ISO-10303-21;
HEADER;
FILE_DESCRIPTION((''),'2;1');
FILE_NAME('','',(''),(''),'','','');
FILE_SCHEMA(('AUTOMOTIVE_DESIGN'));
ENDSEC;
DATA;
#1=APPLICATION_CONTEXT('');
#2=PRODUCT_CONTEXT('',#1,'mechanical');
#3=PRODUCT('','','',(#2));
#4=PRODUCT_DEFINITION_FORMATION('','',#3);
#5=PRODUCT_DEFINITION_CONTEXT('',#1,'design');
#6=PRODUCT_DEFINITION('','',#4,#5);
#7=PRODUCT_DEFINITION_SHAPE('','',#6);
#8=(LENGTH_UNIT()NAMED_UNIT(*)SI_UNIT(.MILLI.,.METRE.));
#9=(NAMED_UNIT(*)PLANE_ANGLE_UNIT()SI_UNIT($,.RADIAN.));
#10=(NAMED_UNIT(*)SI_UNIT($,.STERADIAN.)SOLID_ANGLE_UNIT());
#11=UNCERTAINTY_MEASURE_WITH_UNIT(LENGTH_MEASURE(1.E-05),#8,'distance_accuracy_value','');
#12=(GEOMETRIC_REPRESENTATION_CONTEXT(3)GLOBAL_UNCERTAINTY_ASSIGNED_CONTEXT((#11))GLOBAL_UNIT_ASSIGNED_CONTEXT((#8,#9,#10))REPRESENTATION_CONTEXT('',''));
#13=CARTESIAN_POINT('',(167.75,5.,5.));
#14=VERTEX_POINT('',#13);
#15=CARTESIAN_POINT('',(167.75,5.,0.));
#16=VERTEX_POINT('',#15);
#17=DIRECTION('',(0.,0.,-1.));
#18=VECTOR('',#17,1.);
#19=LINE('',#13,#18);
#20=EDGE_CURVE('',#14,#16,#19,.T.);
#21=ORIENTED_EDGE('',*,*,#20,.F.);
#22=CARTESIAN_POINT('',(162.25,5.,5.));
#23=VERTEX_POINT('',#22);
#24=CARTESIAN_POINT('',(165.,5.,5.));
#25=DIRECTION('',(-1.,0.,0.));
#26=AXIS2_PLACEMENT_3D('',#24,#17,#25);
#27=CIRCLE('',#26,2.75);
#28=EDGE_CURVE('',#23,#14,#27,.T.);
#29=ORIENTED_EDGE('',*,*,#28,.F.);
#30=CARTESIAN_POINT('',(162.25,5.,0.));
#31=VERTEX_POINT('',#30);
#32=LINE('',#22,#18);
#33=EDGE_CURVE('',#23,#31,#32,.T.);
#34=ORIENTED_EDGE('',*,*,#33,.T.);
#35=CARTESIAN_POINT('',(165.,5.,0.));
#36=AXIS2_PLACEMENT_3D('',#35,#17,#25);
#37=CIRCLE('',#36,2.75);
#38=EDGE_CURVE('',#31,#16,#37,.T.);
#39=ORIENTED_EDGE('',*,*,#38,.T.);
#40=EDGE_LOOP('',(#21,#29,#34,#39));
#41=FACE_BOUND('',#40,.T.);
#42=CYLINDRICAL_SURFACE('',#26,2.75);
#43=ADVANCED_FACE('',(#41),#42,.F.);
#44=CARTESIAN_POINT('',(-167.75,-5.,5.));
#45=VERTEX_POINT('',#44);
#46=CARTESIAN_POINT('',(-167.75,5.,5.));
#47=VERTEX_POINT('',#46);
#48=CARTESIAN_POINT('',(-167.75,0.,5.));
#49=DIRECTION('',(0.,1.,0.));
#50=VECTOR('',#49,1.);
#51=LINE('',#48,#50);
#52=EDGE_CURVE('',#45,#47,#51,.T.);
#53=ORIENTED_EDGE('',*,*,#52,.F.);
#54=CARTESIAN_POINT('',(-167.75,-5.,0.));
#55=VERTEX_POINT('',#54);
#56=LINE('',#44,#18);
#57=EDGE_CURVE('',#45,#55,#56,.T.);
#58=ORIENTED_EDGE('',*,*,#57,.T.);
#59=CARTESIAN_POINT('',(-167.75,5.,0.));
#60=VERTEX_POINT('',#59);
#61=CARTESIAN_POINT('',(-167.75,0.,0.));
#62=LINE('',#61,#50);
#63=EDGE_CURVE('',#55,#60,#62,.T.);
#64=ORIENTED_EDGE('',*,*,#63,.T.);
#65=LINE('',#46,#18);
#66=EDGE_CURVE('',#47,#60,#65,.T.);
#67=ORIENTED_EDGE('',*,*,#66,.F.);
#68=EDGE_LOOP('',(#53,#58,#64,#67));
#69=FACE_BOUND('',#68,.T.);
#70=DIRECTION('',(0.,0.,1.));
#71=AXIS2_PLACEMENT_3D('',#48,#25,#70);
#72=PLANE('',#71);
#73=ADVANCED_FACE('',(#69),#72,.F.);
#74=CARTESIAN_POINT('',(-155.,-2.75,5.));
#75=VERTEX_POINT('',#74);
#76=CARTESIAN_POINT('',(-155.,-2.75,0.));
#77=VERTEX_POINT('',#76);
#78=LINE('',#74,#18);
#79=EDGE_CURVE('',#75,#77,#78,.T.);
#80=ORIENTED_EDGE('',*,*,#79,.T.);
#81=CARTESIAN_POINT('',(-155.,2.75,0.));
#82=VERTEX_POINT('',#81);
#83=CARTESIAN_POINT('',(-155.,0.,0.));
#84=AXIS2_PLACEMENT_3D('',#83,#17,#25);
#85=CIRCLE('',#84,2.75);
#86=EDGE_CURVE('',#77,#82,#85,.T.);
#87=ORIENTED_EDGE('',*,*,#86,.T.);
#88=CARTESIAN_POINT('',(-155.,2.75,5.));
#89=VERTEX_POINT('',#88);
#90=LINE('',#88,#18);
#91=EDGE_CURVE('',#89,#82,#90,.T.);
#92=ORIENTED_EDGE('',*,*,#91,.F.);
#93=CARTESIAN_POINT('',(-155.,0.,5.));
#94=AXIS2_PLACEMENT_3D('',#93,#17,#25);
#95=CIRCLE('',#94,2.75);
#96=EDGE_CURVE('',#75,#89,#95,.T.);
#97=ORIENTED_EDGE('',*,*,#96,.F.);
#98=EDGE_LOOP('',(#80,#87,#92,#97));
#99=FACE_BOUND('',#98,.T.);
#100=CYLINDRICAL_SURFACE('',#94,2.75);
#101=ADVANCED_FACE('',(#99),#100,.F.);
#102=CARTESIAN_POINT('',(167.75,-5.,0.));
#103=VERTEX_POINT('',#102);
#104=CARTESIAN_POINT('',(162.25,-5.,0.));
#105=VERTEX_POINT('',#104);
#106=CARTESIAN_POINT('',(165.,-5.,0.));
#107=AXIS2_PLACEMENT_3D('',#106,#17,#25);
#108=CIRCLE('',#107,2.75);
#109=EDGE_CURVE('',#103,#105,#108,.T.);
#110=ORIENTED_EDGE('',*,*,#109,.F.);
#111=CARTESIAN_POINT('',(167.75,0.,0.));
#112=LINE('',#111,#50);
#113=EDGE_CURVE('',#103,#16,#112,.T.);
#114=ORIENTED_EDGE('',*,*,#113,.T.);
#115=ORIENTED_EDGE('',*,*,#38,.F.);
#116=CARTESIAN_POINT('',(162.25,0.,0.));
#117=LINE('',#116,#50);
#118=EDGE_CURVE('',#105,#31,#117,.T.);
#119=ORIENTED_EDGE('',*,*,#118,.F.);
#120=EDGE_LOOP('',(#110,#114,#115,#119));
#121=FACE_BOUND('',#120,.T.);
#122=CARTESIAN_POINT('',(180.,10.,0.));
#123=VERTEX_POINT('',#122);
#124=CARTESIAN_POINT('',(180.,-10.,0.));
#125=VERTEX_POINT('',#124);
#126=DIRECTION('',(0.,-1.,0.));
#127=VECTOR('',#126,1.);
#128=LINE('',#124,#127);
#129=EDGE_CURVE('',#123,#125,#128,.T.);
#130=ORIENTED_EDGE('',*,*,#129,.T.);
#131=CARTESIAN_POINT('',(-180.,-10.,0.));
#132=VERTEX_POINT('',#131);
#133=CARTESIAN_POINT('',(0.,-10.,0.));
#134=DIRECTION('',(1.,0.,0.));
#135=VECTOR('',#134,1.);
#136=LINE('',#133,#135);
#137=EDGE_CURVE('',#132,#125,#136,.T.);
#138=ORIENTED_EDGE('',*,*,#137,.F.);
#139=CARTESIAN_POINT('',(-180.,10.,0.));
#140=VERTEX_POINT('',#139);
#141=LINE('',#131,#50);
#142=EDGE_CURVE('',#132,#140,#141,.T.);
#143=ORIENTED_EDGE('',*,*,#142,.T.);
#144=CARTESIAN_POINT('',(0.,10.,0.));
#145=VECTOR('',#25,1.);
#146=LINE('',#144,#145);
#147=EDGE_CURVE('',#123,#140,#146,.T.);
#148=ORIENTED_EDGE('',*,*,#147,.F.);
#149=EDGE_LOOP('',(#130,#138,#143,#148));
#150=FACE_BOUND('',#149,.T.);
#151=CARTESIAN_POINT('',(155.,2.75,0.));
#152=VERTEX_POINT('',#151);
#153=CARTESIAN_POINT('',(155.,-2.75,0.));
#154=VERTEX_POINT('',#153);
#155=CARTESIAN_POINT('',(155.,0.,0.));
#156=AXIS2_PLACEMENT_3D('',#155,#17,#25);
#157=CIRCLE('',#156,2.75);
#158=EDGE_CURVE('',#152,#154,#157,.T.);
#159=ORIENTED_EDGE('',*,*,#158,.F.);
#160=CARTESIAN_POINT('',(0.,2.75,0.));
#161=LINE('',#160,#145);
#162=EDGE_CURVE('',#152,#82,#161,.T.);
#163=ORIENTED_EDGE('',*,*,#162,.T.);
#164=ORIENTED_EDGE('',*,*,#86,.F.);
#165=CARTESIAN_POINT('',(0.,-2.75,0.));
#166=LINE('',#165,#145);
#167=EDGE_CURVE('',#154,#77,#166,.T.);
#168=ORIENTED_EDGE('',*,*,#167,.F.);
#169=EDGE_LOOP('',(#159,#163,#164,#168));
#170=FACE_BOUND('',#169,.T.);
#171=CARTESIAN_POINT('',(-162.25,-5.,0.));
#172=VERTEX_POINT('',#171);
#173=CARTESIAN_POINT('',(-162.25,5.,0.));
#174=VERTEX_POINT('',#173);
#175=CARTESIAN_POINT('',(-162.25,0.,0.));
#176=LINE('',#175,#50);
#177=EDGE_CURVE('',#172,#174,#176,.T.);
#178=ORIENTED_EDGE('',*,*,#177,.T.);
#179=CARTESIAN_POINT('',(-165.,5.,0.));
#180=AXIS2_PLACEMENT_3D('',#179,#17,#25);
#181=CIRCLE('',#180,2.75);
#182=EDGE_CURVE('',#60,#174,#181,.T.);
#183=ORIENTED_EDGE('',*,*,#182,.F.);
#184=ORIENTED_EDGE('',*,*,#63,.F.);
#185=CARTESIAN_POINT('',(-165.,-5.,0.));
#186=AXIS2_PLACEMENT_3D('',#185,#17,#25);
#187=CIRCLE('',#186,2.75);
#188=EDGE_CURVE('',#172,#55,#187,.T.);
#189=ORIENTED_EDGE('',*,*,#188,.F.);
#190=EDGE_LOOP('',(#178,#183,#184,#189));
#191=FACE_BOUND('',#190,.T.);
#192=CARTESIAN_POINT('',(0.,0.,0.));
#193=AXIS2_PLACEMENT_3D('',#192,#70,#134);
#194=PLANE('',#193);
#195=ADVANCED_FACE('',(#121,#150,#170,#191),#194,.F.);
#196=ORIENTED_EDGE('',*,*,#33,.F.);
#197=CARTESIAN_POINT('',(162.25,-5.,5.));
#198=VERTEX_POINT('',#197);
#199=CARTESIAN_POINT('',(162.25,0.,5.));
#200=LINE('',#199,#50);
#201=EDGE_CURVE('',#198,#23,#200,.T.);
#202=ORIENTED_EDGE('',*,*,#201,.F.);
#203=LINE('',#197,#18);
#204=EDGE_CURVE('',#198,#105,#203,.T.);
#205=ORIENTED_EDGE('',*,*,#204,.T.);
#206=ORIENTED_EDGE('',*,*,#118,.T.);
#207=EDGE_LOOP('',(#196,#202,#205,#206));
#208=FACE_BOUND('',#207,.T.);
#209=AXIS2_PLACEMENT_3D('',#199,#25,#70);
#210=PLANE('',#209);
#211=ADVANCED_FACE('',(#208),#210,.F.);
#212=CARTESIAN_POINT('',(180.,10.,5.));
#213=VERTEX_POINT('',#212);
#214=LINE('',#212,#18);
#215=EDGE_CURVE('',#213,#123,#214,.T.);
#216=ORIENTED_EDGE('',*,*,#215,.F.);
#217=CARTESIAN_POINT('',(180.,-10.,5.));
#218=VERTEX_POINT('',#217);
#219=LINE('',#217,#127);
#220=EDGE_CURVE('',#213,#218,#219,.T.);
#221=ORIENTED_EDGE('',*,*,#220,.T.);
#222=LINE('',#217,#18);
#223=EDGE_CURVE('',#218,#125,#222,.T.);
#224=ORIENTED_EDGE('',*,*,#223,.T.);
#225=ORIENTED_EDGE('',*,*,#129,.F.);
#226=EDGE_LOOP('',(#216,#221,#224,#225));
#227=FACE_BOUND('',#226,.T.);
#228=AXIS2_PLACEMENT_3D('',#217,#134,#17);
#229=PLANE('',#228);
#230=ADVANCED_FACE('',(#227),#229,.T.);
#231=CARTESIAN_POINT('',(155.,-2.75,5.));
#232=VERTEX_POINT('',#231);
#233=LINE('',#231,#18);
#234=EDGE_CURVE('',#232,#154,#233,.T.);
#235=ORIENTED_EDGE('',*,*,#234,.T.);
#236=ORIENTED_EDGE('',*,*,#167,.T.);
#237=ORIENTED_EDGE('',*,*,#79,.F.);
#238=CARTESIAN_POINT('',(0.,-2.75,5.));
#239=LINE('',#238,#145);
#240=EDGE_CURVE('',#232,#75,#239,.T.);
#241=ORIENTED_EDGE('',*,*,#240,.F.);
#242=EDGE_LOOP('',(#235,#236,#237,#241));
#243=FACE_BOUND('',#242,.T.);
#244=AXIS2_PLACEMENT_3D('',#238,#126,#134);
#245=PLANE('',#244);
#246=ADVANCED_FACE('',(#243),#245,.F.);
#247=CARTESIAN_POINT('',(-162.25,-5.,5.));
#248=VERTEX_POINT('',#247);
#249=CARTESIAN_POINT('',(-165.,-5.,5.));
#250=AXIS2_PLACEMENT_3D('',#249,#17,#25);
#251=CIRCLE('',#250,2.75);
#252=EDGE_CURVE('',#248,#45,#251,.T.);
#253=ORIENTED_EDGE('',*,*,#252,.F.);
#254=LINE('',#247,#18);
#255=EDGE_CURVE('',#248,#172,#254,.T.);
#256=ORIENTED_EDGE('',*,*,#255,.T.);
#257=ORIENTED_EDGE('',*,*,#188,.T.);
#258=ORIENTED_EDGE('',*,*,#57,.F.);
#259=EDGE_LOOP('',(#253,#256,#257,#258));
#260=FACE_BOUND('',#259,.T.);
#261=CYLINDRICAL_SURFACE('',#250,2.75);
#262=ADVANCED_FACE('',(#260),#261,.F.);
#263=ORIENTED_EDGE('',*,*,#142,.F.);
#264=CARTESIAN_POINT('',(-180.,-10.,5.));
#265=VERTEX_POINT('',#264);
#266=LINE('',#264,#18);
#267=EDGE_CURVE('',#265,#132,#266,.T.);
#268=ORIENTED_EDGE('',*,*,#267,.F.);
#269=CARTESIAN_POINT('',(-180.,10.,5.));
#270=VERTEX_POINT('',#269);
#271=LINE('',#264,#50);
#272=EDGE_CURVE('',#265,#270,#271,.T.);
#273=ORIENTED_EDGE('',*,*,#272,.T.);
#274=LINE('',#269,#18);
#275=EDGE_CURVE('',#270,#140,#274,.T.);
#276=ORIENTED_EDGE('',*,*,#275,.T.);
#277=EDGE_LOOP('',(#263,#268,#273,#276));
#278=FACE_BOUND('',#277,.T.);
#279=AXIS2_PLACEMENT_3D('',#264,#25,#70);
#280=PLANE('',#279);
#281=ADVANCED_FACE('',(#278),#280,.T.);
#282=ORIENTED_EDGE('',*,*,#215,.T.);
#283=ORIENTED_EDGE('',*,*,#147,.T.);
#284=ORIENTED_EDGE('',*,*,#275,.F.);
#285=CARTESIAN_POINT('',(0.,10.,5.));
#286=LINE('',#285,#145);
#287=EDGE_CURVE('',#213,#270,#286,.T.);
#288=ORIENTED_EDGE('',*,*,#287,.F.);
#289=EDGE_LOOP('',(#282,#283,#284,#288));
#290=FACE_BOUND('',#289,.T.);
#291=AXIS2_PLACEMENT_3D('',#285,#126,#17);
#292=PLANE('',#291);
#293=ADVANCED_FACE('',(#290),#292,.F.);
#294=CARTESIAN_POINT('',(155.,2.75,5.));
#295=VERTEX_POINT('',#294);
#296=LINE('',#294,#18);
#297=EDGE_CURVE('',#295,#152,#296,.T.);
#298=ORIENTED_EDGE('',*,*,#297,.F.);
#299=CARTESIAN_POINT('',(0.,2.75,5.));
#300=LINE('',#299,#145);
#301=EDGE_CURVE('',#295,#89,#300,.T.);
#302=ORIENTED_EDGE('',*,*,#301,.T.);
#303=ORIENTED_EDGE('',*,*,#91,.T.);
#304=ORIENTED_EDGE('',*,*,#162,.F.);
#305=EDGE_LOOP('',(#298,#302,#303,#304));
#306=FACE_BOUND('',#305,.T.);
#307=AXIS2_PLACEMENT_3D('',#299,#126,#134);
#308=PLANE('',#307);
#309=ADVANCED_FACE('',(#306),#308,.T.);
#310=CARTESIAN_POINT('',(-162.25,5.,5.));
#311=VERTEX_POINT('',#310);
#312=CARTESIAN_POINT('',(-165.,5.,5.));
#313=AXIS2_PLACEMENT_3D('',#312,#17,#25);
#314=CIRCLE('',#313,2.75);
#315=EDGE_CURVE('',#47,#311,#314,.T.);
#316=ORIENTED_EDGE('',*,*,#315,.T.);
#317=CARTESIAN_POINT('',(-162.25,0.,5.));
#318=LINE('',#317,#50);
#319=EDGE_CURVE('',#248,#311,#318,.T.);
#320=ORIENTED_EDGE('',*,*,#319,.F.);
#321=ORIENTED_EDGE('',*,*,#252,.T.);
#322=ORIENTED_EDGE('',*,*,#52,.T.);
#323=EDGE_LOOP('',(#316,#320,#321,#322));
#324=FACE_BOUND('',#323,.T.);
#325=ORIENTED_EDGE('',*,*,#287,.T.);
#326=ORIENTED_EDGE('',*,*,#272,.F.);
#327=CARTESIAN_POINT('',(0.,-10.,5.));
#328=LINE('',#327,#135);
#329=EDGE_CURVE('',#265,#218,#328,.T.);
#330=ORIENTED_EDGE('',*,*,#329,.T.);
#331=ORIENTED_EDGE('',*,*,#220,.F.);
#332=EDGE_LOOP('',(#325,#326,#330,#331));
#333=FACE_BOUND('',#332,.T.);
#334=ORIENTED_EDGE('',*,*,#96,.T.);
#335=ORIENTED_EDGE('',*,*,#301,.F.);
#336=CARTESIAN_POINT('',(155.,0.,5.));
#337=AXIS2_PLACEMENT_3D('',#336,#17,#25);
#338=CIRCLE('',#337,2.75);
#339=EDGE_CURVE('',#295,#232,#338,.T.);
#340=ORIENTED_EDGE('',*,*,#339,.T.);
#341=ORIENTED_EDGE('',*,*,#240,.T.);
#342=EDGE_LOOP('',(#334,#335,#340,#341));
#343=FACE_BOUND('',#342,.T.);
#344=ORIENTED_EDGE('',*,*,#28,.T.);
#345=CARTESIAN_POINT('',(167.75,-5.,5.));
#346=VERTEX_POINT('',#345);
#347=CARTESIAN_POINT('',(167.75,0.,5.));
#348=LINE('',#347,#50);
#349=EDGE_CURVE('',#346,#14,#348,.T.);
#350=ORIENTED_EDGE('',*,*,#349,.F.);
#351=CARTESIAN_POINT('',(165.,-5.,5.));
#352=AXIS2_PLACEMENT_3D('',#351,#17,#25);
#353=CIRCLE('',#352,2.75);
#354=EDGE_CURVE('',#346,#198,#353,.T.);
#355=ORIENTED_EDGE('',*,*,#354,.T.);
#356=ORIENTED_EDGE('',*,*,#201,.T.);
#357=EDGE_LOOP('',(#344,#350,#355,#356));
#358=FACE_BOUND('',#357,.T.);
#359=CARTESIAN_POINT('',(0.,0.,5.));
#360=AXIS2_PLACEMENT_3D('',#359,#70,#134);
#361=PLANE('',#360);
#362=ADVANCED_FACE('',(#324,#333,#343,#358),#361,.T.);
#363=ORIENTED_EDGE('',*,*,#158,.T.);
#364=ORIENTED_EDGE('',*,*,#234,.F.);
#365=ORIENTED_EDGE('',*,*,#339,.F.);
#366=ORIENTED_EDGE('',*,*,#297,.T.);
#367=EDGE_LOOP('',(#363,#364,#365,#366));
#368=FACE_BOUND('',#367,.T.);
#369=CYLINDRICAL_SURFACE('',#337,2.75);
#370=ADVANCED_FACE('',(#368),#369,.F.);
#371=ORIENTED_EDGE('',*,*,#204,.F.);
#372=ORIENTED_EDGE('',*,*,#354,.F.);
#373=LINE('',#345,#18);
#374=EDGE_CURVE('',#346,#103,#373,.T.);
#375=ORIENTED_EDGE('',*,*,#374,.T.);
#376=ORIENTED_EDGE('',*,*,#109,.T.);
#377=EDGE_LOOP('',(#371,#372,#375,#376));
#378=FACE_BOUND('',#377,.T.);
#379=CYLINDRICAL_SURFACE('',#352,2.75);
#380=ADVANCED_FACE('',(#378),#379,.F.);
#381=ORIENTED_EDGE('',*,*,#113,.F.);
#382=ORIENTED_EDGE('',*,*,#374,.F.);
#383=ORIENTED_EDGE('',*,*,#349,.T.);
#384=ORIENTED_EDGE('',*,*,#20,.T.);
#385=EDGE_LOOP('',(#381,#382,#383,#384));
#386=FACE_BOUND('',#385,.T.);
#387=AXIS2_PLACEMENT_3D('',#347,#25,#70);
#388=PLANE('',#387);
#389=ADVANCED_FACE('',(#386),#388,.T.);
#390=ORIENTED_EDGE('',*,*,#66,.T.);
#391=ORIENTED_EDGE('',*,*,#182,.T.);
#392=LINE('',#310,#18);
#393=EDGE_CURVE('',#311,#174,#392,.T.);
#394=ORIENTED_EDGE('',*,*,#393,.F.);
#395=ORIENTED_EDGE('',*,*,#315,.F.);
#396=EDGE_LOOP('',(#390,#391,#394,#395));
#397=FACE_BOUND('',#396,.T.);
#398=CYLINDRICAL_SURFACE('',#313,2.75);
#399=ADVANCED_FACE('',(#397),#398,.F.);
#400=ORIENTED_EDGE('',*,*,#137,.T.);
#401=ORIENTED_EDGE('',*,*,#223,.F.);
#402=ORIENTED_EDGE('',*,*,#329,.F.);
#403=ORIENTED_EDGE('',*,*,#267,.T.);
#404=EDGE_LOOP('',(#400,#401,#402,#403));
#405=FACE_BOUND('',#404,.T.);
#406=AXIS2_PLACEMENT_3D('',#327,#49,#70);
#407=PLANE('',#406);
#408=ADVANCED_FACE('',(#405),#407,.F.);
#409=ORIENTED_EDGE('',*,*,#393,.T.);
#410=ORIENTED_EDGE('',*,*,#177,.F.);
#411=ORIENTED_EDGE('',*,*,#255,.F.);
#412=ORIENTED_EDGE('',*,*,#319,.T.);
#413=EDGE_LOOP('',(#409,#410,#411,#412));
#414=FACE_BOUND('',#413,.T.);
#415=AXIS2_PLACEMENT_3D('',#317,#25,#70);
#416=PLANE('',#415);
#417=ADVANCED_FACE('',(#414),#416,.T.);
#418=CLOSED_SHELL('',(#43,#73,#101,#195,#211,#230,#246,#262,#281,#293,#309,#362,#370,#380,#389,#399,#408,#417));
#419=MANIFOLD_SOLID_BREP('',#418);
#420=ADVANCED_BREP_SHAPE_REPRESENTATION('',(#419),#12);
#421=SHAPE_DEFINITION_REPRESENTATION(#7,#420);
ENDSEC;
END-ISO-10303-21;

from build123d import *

# Parameters (mm, degrees)
EXTRUDE_1_DEPTH     = 5
CUT_EXTRUDE_1_DEPTH = 5
SKETCH_4_W          = 5
SKETCH_4_H          = 20
EXTRUDE_2_DEPTH     = 5


with BuildPart() as part:
    # 草图1 → 凸台-拉伸1 (new body)
    with BuildSketch(Plane.XY):
        Polygon((175, 10), (0, 10), (-175, 10), (-175, -10), (175, -10), align=None)
    extrude(amount=EXTRUDE_1_DEPTH)

    # 草图3 → 切除-拉伸1 (cut)
    with BuildSketch(Plane(origin=(0, 0, 0), x_dir=(-1, 0, 0), z_dir=(0, 0, -1))):
        with BuildLine():
            Line((-165, 5), (-165, 0))
            Line((-165, 0), (-162.25, 0))
            Line((-162.25, 0), (-162.25, 5))
            ThreePointArc((-162.25, 5), (-163.055456352, 6.944543648), (-165, 7.75))
            Line((-165, 7.75), (-165, 5))
        make_face()
        with BuildLine():
            Line((-167.75, 5), (-167.75, 0))
            Line((-167.75, 0), (-165, 0))
            Line((-165, 0), (-165, 5))
            Line((-165, 5), (-165, 7.75))
            ThreePointArc((-165, 7.75), (-166.944543648, 6.944543648), (-167.75, 5))
        make_face()
        with BuildLine():
            Line((-165, 0), (-167.75, 0))
            Line((-167.75, 0), (-167.75, -5))
            ThreePointArc((-167.75, -5), (-166.944543648, -6.944543648), (-165, -7.75))
            Line((-165, -7.75), (-165, -5))
            Line((-165, -5), (-165, 0))
        make_face()
        with BuildLine():
            Line((-162.25, 0), (-165, 0))
            Line((-165, 0), (-165, -5))
            Line((-165, -5), (-165, -7.75))
            ThreePointArc((-165, -7.75), (-163.055456352, -6.944543648), (-162.25, -5))
            Line((-162.25, -5), (-162.25, 0))
        make_face()
        with BuildLine():
            Line((-155, 0), (-157.75, 0))
            ThreePointArc((-157.75, 0), (-156.944543648, -1.944543648), (-155, -2.75))
            Line((-155, -2.75), (155, -2.75))
            ThreePointArc((155, -2.75), (156.944543648, -1.944543648), (157.75, 0))
            Line((157.75, 0), (155, 0))
            Line((155, 0), (-155, 0))
        make_face()
        with BuildLine():
            ThreePointArc((-155, 2.75), (-156.944543648, 1.944543648), (-157.75, 0))
            Line((-157.75, 0), (-155, 0))
            Line((-155, 0), (155, 0))
            Line((155, 0), (157.75, 0))
            ThreePointArc((157.75, 0), (156.944543648, 1.944543648), (155, 2.75))
            Line((155, 2.75), (-155, 2.75))
        make_face()
        with BuildLine():
            Line((165, 5), (165, 0))
            Line((165, 0), (167.75, 0))
            Line((167.75, 0), (167.75, 5))
            ThreePointArc((167.75, 5), (166.944543648, 6.944543648), (165, 7.75))
            Line((165, 7.75), (165, 5))
        make_face()
        with BuildLine():
            Line((162.25, 5), (162.25, 0))
            Line((162.25, 0), (165, 0))
            Line((165, 0), (165, 5))
            Line((165, 5), (165, 7.75))
            ThreePointArc((165, 7.75), (163.055456352, 6.944543648), (162.25, 5))
        make_face()
        with BuildLine():
            Line((165, 0), (162.25, 0))
            Line((162.25, 0), (162.25, -5))
            ThreePointArc((162.25, -5), (163.055456352, -6.944543648), (165, -7.75))
            Line((165, -7.75), (165, -5))
            Line((165, -5), (165, 0))
        make_face()
        with BuildLine():
            Line((167.75, 0), (165, 0))
            Line((165, 0), (165, -5))
            Line((165, -5), (165, -7.75))
            ThreePointArc((165, -7.75), (166.944543648, -6.944543648), (167.75, -5))
            Line((167.75, -5), (167.75, 0))
        make_face()
    extrude(amount=-CUT_EXTRUDE_1_DEPTH, mode=Mode.SUBTRACT)

    # 草图4 → 凸台-拉伸2 (add)
    with BuildSketch(Plane(origin=(0, 0, 0), x_dir=(-1, 0, 0), z_dir=(0, 0, -1))):
        with Locations((-177.5, 0)):
            Rectangle(SKETCH_4_W, SKETCH_4_H)
        with Locations((177.5, 0)):
            Rectangle(SKETCH_4_W, SKETCH_4_H)
    extrude(amount=-EXTRUDE_2_DEPTH)


solid = part.part
